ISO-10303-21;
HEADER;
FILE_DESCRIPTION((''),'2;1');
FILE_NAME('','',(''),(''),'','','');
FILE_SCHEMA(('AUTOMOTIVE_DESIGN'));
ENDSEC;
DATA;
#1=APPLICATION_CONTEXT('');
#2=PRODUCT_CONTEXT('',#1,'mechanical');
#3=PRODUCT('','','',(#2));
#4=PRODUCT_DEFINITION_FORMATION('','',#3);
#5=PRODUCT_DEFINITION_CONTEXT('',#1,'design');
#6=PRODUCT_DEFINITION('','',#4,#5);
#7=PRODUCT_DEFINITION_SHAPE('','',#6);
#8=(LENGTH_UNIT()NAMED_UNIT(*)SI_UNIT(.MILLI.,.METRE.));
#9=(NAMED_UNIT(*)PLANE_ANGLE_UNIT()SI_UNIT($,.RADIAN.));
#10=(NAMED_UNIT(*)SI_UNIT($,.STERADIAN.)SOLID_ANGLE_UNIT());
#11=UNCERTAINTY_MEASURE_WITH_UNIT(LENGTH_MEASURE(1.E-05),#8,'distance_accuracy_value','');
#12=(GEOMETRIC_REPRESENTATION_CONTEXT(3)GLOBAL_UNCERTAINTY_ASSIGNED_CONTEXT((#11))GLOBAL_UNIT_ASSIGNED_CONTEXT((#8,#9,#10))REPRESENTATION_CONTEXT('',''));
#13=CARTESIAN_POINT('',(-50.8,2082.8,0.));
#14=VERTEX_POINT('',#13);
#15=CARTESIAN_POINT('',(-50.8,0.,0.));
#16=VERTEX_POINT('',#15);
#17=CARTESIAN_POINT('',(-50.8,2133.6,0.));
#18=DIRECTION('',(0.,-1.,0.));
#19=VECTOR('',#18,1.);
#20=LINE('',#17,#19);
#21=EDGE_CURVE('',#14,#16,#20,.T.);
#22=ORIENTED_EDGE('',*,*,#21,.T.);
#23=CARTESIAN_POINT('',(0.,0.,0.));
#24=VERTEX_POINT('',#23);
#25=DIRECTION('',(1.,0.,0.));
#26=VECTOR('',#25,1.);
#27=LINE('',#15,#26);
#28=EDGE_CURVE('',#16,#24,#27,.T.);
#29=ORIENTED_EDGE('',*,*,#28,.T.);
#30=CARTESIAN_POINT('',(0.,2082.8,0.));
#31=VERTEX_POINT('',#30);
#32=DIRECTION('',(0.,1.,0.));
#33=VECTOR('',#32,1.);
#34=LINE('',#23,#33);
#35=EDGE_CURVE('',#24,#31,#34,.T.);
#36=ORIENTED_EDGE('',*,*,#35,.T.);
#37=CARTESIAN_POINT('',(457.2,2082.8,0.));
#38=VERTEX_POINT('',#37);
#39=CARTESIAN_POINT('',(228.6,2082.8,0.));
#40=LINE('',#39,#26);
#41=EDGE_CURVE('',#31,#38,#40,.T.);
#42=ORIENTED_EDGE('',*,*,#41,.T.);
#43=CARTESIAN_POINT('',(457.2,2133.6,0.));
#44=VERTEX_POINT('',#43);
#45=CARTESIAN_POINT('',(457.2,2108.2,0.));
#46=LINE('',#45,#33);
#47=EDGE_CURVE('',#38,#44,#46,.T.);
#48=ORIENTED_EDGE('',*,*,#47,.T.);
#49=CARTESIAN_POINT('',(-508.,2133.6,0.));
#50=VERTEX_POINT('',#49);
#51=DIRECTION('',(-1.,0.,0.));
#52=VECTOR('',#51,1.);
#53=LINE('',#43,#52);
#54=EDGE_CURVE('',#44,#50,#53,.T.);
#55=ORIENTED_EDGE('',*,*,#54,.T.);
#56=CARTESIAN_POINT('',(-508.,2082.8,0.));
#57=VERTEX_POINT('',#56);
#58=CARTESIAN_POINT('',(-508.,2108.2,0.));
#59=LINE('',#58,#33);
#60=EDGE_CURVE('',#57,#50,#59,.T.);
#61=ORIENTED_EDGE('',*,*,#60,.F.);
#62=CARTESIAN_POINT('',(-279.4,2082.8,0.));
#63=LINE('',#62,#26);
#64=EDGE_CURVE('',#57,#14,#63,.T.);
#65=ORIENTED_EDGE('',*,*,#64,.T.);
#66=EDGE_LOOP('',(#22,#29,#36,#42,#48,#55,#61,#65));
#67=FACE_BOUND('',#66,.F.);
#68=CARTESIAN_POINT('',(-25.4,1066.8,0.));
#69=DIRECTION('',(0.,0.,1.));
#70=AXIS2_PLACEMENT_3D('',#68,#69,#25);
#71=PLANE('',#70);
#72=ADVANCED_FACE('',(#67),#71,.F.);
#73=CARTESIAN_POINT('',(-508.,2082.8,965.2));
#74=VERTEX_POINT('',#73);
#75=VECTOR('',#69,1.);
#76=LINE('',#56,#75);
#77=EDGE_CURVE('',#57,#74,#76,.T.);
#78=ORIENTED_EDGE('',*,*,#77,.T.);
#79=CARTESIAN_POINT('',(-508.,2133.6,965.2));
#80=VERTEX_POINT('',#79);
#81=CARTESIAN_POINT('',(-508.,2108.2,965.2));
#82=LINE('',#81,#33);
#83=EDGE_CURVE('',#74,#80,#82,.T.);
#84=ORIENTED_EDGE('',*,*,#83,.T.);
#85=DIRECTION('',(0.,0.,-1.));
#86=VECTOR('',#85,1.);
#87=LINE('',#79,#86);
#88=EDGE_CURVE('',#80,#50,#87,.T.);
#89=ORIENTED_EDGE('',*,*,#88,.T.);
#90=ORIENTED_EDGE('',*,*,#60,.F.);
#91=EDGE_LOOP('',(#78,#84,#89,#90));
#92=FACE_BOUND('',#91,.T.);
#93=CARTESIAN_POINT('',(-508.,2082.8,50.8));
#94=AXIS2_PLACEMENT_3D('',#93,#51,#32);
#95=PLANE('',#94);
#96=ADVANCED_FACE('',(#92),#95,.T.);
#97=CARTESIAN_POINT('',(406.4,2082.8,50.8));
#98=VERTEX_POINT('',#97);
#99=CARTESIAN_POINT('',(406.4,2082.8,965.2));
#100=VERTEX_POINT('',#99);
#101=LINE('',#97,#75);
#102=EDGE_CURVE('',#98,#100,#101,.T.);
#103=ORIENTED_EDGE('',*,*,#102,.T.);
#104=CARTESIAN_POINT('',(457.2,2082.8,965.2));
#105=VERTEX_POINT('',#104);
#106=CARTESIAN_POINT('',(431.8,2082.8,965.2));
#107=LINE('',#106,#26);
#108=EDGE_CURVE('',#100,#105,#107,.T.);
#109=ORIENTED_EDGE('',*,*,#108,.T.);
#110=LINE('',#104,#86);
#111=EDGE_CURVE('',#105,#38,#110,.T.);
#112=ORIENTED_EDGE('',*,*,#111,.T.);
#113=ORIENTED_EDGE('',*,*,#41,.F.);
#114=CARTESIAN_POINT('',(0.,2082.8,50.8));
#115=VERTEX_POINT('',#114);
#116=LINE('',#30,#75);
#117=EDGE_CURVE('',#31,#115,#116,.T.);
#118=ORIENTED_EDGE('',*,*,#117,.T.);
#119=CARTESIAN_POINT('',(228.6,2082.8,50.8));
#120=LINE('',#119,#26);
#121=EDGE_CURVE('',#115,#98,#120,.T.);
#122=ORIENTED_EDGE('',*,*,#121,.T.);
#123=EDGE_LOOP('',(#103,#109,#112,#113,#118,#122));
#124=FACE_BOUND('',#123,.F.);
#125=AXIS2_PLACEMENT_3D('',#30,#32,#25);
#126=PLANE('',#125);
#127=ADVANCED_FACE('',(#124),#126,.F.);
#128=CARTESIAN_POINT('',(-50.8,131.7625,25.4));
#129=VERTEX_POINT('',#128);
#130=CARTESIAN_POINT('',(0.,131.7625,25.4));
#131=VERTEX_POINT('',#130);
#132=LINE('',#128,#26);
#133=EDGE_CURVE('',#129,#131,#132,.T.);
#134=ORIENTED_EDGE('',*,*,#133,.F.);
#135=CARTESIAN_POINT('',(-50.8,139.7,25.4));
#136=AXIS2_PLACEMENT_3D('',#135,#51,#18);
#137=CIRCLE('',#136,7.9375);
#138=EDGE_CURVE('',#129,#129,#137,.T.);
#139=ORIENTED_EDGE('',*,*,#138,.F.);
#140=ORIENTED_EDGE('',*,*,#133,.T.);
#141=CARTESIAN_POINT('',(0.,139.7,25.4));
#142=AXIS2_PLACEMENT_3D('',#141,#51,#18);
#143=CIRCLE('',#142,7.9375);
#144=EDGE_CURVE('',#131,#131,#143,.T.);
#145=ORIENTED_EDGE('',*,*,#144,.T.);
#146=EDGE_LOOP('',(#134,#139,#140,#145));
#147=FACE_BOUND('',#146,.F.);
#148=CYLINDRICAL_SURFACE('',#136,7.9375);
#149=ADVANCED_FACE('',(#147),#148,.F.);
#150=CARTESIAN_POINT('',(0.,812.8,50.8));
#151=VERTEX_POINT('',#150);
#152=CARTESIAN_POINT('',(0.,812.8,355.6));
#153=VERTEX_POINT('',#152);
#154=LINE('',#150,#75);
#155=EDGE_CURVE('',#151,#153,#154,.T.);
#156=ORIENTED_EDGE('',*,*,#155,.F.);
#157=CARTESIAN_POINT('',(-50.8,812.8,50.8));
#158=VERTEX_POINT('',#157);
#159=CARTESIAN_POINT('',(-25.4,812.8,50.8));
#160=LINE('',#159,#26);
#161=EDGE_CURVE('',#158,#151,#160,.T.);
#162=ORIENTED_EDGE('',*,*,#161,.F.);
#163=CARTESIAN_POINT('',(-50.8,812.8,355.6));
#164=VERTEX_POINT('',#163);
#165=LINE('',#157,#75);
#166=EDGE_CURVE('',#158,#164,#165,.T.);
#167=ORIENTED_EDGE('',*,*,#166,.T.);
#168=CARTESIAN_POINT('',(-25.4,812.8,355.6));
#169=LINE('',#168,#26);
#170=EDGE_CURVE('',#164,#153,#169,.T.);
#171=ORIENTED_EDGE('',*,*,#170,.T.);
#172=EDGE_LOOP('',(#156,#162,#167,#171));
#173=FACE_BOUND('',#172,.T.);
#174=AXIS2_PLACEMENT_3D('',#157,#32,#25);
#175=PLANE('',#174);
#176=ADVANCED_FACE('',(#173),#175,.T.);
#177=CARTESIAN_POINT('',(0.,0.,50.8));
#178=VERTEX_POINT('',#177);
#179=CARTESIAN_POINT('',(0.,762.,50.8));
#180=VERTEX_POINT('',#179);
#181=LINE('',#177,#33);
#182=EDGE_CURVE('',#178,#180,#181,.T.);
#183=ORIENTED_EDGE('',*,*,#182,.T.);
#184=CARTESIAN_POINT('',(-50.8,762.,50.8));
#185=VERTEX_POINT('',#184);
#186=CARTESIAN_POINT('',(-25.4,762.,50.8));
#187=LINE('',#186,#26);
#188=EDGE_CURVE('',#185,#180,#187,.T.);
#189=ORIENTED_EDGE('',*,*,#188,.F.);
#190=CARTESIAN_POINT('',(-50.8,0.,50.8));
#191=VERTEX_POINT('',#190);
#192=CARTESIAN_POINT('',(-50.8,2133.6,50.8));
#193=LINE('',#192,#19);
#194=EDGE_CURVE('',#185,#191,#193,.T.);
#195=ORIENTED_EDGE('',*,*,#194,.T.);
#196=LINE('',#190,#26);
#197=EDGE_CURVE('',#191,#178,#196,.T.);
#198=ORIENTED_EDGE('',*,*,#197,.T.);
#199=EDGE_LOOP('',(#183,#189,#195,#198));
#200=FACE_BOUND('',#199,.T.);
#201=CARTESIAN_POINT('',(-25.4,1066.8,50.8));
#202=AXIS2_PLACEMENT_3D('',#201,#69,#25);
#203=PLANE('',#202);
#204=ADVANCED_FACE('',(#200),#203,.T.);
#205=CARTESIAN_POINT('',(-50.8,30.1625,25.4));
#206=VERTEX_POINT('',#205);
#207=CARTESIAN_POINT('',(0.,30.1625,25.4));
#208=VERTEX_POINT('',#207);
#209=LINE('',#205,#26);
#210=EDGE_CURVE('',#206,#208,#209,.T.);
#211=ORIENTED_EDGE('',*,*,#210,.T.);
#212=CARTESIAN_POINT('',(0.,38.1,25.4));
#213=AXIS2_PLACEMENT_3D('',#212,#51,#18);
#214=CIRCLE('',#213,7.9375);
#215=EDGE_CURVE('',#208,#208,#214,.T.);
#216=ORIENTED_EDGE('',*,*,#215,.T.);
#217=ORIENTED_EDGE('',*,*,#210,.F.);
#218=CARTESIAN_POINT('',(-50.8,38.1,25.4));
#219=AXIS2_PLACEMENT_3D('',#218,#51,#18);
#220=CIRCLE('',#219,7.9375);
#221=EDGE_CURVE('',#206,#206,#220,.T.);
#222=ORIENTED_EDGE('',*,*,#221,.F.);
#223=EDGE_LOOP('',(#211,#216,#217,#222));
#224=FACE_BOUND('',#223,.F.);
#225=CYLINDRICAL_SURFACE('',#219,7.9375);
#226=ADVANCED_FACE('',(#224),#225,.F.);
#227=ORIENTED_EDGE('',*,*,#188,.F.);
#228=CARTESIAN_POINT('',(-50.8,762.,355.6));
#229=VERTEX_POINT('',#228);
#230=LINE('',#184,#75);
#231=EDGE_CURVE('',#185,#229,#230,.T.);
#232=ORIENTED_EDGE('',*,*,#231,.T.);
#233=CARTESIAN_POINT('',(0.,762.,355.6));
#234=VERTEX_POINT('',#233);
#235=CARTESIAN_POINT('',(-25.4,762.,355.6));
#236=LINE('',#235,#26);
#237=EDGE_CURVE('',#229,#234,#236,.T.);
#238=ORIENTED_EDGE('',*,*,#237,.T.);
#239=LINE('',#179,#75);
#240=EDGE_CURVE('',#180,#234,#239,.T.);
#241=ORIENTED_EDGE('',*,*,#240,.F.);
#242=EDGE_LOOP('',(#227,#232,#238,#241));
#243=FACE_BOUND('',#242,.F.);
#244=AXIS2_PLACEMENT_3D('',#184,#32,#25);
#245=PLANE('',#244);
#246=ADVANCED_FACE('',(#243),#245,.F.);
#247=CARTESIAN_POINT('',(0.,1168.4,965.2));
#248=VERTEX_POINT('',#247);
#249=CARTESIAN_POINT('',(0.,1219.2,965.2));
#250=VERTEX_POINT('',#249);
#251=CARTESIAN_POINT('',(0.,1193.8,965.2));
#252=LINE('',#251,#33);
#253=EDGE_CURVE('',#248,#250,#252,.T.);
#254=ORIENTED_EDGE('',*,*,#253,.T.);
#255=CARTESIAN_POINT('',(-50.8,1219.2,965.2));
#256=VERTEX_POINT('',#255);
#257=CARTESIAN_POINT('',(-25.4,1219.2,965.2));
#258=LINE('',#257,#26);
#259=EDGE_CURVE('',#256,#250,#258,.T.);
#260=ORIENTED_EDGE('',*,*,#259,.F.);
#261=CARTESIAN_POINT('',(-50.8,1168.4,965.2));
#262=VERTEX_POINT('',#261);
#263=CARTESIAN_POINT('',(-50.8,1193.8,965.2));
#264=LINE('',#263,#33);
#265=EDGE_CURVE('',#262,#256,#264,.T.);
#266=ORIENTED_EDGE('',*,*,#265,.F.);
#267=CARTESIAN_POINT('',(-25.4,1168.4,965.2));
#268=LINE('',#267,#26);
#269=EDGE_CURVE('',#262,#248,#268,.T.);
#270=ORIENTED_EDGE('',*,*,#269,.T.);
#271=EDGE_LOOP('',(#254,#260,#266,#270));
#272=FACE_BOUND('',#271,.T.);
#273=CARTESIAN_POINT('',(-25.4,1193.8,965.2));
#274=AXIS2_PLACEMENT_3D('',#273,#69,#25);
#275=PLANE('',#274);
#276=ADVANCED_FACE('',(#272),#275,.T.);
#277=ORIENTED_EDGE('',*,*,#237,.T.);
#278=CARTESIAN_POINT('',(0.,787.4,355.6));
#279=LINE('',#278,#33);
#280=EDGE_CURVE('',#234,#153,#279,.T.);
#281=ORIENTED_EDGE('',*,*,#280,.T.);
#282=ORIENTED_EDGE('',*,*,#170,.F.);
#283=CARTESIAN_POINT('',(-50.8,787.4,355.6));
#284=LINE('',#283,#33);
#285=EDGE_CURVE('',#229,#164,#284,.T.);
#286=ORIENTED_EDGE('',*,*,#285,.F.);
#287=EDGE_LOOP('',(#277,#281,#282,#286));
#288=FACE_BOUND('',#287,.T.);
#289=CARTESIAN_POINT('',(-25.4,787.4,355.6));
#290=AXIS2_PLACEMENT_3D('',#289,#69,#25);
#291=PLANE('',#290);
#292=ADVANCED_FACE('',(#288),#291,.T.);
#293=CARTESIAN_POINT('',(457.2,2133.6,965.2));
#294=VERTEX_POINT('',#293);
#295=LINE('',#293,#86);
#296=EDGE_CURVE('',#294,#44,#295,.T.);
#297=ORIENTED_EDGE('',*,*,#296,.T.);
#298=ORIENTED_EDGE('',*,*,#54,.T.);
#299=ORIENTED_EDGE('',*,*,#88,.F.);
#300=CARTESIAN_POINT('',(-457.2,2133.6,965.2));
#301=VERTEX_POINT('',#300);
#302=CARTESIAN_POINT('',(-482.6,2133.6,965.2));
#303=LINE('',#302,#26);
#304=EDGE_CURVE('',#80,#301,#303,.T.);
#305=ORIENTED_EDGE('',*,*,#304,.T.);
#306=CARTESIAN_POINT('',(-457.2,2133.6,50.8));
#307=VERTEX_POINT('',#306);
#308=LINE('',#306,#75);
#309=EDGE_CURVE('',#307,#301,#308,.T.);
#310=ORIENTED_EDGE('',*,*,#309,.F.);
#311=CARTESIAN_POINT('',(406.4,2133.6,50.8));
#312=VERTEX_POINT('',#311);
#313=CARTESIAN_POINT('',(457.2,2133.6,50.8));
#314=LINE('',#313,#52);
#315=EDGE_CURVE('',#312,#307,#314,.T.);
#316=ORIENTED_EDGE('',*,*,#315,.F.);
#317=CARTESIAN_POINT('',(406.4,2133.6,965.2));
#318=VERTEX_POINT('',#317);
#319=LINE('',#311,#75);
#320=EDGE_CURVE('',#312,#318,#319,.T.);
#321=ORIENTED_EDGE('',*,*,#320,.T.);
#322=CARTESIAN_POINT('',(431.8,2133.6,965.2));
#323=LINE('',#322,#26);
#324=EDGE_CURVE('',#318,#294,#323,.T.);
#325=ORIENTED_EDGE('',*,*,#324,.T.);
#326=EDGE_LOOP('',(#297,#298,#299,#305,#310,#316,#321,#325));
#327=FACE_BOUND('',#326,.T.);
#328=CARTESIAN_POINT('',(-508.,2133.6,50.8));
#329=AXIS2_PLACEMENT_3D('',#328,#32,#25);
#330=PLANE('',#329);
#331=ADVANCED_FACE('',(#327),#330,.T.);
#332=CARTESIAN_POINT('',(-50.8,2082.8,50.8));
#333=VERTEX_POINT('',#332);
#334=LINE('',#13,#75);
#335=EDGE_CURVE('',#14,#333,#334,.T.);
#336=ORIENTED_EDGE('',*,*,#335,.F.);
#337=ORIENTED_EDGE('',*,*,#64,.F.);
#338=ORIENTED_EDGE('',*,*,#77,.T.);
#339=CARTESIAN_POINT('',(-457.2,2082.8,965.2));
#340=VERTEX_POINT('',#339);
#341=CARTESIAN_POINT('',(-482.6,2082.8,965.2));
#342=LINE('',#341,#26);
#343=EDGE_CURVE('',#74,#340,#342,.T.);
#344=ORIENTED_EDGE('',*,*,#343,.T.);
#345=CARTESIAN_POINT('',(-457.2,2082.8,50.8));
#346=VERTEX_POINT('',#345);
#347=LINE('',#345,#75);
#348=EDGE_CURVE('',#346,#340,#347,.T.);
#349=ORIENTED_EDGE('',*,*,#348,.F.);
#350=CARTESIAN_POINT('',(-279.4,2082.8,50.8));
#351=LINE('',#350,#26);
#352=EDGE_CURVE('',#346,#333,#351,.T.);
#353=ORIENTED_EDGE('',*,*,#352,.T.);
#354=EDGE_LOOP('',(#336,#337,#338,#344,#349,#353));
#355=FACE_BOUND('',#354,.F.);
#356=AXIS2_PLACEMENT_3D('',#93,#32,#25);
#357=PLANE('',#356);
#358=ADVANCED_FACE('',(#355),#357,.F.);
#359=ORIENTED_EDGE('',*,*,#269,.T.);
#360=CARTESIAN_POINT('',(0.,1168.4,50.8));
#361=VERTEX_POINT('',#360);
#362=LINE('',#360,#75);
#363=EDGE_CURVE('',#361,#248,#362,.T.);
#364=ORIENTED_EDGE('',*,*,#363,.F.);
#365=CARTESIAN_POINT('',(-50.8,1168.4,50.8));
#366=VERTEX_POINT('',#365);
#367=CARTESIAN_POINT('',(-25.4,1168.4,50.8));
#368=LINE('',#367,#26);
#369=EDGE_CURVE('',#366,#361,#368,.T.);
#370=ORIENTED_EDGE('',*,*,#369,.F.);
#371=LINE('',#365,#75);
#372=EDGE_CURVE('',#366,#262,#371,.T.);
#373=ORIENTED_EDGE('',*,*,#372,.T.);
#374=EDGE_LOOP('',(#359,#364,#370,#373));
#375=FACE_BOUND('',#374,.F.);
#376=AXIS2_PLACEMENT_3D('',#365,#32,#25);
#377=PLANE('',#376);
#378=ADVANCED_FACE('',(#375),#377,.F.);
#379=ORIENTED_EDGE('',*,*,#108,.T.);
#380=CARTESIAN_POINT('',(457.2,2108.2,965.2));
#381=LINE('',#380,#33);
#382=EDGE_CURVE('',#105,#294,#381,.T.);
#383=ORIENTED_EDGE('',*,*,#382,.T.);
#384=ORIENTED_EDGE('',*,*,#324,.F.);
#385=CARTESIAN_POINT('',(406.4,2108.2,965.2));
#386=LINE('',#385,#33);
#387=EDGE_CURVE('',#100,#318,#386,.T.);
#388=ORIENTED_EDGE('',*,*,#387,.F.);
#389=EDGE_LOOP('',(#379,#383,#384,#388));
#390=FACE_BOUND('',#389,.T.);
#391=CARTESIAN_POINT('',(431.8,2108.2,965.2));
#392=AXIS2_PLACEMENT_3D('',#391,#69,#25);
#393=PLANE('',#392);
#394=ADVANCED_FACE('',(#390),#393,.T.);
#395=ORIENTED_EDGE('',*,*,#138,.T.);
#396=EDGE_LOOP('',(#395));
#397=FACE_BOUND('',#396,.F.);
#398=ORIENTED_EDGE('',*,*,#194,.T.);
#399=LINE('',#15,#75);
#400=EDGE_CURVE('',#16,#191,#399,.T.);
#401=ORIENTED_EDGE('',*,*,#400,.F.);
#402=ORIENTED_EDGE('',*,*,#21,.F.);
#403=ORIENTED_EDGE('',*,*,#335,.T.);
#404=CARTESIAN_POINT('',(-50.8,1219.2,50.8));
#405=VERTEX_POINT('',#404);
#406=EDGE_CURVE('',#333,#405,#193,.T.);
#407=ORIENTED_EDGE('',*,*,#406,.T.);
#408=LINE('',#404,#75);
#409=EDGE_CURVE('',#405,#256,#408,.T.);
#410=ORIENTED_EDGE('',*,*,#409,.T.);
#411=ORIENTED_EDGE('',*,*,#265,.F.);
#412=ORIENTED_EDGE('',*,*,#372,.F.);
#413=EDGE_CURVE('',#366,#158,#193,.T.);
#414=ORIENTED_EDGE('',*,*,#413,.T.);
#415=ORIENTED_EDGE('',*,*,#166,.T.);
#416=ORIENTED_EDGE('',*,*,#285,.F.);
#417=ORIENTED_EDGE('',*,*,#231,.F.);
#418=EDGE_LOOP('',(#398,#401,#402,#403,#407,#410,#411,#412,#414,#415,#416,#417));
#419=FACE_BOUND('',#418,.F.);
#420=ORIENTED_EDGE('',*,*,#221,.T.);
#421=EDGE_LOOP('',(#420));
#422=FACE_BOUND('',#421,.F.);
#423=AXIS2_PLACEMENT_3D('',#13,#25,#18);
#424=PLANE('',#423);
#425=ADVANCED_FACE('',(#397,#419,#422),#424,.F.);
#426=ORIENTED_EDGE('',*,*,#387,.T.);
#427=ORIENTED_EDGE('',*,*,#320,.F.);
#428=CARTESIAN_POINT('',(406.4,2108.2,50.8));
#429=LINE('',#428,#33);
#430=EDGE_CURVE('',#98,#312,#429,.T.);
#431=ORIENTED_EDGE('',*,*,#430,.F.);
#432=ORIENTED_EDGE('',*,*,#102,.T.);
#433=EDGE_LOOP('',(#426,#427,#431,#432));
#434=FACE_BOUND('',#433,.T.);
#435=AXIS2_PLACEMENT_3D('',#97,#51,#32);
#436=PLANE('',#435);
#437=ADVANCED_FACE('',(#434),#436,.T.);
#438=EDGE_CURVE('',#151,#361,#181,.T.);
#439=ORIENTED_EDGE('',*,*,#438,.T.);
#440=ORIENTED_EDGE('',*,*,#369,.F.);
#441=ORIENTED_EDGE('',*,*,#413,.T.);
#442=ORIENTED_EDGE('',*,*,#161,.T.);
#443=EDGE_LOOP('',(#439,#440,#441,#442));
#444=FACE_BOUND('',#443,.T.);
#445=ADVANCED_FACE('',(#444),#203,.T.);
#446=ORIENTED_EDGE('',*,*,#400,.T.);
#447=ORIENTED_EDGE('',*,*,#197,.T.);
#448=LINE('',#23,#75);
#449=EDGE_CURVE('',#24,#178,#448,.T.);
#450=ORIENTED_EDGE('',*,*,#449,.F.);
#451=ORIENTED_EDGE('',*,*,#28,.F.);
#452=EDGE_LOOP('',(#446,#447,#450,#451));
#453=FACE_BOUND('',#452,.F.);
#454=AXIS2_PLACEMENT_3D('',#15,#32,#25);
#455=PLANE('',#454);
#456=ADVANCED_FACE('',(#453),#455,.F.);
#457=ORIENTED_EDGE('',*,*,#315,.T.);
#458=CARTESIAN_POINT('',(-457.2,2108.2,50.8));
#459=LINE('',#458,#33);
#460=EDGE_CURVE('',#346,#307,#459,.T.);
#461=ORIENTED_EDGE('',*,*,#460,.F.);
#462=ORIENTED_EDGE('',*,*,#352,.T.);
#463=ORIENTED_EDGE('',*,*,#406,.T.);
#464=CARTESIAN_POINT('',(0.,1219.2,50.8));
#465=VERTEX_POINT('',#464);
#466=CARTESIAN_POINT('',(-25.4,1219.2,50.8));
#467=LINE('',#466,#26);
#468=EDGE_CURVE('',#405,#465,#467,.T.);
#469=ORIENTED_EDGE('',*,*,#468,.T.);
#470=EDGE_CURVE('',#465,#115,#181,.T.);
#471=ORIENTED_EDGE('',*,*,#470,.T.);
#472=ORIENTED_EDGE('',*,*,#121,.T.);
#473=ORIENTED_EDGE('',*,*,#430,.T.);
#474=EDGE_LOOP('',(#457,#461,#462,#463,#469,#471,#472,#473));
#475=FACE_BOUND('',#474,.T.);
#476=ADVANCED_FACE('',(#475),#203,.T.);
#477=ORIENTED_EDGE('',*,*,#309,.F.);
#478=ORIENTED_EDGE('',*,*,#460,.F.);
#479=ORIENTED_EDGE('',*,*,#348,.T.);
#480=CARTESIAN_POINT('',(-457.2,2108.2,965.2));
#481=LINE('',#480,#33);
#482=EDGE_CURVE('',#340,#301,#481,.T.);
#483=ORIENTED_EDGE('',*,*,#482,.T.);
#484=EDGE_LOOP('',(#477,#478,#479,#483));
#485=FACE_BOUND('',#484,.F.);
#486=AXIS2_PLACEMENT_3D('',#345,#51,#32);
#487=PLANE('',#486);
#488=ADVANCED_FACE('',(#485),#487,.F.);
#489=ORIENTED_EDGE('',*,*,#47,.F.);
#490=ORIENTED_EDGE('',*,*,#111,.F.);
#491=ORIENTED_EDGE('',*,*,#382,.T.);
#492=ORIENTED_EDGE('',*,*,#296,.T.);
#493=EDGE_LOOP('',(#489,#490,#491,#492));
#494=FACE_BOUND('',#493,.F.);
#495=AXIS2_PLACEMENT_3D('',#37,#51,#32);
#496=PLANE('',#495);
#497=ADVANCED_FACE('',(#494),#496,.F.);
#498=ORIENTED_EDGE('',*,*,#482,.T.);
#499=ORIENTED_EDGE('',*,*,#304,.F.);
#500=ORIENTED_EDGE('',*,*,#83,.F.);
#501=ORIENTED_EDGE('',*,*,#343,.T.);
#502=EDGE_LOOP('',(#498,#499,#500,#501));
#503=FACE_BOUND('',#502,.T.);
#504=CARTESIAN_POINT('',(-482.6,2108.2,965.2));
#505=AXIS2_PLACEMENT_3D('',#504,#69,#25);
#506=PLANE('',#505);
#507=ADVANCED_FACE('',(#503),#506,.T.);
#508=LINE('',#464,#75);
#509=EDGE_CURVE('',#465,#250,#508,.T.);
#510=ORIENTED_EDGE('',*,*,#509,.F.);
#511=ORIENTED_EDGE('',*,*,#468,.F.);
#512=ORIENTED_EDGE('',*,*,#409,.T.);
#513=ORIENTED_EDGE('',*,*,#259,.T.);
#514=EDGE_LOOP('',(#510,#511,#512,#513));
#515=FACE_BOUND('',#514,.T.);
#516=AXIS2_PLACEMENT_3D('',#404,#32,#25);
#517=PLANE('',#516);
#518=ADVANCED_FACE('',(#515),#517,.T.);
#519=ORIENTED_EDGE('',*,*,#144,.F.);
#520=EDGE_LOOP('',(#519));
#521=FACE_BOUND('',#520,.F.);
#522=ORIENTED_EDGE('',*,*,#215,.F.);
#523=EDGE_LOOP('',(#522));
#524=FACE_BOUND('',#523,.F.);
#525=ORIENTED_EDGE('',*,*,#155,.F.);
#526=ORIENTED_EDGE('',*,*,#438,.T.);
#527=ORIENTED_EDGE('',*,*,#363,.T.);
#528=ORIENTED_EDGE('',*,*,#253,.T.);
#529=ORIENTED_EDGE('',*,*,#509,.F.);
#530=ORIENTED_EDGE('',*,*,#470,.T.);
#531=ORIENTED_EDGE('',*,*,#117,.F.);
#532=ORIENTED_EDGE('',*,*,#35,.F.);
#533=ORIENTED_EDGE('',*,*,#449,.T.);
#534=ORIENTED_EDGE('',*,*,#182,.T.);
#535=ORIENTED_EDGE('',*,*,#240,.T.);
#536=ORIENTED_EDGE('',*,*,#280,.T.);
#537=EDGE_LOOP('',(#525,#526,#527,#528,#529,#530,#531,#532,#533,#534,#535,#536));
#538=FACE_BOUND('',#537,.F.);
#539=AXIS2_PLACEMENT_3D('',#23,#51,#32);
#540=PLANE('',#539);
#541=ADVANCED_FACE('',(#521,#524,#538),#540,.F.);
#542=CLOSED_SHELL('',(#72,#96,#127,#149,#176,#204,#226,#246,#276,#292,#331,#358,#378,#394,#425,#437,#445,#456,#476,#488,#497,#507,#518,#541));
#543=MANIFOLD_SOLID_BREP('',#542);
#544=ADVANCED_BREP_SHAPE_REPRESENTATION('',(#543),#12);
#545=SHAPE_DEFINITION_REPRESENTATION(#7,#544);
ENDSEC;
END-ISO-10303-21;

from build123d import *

# Parameters (mm, degrees)
F0_W     = 457.2
F0_H     = 50.8
F1_DEPTH = 50.8
F2_W     = 50.8
F2_H     = 50.8
F3_DEPTH = 914.4
F4_W     = 50.8
F4_H     = 50.8
F5_DEPTH = 914.4
F6_W     = 50.8
F6_H     = 50.8
F7_DEPTH = 304.8
F8_R     = 7.9375
F9_DEPTH = 50.8


with BuildPart() as f1:
    # F0 (on Top) → F1 (new body)
    with BuildSketch(Plane.XY):
        Polygon((0, 2082.8), (0, 2133.6), (-50.8, 2133.6), (-50.8, 2082.8), (-50.8, 0), (0, 0), align=None)
        with Locations((228.6, 2108.2)):
            Rectangle(F0_W, F0_H)
        with Locations((-279.4, 2108.2)):
            Rectangle(F0_W, F0_H)
    extrude(amount=F1_DEPTH)

    # F2 (on face) → F3 (join)
    with BuildSketch(Plane.XY.offset(50.8)):
        with Locations((-482.6, 2108.2)):
            Rectangle(F2_W, F2_H)
        with Locations((431.8, 2108.2)):
            Rectangle(F2_W, F2_H)
    extrude(amount=F3_DEPTH)

    # F4 (on face) → F5 (join)
    with BuildSketch(Plane.XY.offset(50.8)):
        with Locations((-25.4, 1193.8)):
            Rectangle(F4_W, F4_H)
    extrude(amount=F5_DEPTH)

    # F6 (on face) → F7 (join)
    with BuildSketch(Plane.XY.offset(50.8)):
        with Locations((-25.4, 787.4)):
            Rectangle(F6_W, F6_H)
    extrude(amount=F7_DEPTH)

    # F8 (on face) → F9 (cut)
    with BuildSketch(Plane(origin=(-50.8, 0, 0), x_dir=(0, -1, 0), z_dir=(-1, 0, 0))):
        with Locations((-139.7, 25.4)):
            Circle(F8_R)
        with Locations((-38.1, 25.4)):
            Circle(F8_R)
    extrude(amount=-F9_DEPTH, mode=Mode.SUBTRACT)


solid = f1.part
